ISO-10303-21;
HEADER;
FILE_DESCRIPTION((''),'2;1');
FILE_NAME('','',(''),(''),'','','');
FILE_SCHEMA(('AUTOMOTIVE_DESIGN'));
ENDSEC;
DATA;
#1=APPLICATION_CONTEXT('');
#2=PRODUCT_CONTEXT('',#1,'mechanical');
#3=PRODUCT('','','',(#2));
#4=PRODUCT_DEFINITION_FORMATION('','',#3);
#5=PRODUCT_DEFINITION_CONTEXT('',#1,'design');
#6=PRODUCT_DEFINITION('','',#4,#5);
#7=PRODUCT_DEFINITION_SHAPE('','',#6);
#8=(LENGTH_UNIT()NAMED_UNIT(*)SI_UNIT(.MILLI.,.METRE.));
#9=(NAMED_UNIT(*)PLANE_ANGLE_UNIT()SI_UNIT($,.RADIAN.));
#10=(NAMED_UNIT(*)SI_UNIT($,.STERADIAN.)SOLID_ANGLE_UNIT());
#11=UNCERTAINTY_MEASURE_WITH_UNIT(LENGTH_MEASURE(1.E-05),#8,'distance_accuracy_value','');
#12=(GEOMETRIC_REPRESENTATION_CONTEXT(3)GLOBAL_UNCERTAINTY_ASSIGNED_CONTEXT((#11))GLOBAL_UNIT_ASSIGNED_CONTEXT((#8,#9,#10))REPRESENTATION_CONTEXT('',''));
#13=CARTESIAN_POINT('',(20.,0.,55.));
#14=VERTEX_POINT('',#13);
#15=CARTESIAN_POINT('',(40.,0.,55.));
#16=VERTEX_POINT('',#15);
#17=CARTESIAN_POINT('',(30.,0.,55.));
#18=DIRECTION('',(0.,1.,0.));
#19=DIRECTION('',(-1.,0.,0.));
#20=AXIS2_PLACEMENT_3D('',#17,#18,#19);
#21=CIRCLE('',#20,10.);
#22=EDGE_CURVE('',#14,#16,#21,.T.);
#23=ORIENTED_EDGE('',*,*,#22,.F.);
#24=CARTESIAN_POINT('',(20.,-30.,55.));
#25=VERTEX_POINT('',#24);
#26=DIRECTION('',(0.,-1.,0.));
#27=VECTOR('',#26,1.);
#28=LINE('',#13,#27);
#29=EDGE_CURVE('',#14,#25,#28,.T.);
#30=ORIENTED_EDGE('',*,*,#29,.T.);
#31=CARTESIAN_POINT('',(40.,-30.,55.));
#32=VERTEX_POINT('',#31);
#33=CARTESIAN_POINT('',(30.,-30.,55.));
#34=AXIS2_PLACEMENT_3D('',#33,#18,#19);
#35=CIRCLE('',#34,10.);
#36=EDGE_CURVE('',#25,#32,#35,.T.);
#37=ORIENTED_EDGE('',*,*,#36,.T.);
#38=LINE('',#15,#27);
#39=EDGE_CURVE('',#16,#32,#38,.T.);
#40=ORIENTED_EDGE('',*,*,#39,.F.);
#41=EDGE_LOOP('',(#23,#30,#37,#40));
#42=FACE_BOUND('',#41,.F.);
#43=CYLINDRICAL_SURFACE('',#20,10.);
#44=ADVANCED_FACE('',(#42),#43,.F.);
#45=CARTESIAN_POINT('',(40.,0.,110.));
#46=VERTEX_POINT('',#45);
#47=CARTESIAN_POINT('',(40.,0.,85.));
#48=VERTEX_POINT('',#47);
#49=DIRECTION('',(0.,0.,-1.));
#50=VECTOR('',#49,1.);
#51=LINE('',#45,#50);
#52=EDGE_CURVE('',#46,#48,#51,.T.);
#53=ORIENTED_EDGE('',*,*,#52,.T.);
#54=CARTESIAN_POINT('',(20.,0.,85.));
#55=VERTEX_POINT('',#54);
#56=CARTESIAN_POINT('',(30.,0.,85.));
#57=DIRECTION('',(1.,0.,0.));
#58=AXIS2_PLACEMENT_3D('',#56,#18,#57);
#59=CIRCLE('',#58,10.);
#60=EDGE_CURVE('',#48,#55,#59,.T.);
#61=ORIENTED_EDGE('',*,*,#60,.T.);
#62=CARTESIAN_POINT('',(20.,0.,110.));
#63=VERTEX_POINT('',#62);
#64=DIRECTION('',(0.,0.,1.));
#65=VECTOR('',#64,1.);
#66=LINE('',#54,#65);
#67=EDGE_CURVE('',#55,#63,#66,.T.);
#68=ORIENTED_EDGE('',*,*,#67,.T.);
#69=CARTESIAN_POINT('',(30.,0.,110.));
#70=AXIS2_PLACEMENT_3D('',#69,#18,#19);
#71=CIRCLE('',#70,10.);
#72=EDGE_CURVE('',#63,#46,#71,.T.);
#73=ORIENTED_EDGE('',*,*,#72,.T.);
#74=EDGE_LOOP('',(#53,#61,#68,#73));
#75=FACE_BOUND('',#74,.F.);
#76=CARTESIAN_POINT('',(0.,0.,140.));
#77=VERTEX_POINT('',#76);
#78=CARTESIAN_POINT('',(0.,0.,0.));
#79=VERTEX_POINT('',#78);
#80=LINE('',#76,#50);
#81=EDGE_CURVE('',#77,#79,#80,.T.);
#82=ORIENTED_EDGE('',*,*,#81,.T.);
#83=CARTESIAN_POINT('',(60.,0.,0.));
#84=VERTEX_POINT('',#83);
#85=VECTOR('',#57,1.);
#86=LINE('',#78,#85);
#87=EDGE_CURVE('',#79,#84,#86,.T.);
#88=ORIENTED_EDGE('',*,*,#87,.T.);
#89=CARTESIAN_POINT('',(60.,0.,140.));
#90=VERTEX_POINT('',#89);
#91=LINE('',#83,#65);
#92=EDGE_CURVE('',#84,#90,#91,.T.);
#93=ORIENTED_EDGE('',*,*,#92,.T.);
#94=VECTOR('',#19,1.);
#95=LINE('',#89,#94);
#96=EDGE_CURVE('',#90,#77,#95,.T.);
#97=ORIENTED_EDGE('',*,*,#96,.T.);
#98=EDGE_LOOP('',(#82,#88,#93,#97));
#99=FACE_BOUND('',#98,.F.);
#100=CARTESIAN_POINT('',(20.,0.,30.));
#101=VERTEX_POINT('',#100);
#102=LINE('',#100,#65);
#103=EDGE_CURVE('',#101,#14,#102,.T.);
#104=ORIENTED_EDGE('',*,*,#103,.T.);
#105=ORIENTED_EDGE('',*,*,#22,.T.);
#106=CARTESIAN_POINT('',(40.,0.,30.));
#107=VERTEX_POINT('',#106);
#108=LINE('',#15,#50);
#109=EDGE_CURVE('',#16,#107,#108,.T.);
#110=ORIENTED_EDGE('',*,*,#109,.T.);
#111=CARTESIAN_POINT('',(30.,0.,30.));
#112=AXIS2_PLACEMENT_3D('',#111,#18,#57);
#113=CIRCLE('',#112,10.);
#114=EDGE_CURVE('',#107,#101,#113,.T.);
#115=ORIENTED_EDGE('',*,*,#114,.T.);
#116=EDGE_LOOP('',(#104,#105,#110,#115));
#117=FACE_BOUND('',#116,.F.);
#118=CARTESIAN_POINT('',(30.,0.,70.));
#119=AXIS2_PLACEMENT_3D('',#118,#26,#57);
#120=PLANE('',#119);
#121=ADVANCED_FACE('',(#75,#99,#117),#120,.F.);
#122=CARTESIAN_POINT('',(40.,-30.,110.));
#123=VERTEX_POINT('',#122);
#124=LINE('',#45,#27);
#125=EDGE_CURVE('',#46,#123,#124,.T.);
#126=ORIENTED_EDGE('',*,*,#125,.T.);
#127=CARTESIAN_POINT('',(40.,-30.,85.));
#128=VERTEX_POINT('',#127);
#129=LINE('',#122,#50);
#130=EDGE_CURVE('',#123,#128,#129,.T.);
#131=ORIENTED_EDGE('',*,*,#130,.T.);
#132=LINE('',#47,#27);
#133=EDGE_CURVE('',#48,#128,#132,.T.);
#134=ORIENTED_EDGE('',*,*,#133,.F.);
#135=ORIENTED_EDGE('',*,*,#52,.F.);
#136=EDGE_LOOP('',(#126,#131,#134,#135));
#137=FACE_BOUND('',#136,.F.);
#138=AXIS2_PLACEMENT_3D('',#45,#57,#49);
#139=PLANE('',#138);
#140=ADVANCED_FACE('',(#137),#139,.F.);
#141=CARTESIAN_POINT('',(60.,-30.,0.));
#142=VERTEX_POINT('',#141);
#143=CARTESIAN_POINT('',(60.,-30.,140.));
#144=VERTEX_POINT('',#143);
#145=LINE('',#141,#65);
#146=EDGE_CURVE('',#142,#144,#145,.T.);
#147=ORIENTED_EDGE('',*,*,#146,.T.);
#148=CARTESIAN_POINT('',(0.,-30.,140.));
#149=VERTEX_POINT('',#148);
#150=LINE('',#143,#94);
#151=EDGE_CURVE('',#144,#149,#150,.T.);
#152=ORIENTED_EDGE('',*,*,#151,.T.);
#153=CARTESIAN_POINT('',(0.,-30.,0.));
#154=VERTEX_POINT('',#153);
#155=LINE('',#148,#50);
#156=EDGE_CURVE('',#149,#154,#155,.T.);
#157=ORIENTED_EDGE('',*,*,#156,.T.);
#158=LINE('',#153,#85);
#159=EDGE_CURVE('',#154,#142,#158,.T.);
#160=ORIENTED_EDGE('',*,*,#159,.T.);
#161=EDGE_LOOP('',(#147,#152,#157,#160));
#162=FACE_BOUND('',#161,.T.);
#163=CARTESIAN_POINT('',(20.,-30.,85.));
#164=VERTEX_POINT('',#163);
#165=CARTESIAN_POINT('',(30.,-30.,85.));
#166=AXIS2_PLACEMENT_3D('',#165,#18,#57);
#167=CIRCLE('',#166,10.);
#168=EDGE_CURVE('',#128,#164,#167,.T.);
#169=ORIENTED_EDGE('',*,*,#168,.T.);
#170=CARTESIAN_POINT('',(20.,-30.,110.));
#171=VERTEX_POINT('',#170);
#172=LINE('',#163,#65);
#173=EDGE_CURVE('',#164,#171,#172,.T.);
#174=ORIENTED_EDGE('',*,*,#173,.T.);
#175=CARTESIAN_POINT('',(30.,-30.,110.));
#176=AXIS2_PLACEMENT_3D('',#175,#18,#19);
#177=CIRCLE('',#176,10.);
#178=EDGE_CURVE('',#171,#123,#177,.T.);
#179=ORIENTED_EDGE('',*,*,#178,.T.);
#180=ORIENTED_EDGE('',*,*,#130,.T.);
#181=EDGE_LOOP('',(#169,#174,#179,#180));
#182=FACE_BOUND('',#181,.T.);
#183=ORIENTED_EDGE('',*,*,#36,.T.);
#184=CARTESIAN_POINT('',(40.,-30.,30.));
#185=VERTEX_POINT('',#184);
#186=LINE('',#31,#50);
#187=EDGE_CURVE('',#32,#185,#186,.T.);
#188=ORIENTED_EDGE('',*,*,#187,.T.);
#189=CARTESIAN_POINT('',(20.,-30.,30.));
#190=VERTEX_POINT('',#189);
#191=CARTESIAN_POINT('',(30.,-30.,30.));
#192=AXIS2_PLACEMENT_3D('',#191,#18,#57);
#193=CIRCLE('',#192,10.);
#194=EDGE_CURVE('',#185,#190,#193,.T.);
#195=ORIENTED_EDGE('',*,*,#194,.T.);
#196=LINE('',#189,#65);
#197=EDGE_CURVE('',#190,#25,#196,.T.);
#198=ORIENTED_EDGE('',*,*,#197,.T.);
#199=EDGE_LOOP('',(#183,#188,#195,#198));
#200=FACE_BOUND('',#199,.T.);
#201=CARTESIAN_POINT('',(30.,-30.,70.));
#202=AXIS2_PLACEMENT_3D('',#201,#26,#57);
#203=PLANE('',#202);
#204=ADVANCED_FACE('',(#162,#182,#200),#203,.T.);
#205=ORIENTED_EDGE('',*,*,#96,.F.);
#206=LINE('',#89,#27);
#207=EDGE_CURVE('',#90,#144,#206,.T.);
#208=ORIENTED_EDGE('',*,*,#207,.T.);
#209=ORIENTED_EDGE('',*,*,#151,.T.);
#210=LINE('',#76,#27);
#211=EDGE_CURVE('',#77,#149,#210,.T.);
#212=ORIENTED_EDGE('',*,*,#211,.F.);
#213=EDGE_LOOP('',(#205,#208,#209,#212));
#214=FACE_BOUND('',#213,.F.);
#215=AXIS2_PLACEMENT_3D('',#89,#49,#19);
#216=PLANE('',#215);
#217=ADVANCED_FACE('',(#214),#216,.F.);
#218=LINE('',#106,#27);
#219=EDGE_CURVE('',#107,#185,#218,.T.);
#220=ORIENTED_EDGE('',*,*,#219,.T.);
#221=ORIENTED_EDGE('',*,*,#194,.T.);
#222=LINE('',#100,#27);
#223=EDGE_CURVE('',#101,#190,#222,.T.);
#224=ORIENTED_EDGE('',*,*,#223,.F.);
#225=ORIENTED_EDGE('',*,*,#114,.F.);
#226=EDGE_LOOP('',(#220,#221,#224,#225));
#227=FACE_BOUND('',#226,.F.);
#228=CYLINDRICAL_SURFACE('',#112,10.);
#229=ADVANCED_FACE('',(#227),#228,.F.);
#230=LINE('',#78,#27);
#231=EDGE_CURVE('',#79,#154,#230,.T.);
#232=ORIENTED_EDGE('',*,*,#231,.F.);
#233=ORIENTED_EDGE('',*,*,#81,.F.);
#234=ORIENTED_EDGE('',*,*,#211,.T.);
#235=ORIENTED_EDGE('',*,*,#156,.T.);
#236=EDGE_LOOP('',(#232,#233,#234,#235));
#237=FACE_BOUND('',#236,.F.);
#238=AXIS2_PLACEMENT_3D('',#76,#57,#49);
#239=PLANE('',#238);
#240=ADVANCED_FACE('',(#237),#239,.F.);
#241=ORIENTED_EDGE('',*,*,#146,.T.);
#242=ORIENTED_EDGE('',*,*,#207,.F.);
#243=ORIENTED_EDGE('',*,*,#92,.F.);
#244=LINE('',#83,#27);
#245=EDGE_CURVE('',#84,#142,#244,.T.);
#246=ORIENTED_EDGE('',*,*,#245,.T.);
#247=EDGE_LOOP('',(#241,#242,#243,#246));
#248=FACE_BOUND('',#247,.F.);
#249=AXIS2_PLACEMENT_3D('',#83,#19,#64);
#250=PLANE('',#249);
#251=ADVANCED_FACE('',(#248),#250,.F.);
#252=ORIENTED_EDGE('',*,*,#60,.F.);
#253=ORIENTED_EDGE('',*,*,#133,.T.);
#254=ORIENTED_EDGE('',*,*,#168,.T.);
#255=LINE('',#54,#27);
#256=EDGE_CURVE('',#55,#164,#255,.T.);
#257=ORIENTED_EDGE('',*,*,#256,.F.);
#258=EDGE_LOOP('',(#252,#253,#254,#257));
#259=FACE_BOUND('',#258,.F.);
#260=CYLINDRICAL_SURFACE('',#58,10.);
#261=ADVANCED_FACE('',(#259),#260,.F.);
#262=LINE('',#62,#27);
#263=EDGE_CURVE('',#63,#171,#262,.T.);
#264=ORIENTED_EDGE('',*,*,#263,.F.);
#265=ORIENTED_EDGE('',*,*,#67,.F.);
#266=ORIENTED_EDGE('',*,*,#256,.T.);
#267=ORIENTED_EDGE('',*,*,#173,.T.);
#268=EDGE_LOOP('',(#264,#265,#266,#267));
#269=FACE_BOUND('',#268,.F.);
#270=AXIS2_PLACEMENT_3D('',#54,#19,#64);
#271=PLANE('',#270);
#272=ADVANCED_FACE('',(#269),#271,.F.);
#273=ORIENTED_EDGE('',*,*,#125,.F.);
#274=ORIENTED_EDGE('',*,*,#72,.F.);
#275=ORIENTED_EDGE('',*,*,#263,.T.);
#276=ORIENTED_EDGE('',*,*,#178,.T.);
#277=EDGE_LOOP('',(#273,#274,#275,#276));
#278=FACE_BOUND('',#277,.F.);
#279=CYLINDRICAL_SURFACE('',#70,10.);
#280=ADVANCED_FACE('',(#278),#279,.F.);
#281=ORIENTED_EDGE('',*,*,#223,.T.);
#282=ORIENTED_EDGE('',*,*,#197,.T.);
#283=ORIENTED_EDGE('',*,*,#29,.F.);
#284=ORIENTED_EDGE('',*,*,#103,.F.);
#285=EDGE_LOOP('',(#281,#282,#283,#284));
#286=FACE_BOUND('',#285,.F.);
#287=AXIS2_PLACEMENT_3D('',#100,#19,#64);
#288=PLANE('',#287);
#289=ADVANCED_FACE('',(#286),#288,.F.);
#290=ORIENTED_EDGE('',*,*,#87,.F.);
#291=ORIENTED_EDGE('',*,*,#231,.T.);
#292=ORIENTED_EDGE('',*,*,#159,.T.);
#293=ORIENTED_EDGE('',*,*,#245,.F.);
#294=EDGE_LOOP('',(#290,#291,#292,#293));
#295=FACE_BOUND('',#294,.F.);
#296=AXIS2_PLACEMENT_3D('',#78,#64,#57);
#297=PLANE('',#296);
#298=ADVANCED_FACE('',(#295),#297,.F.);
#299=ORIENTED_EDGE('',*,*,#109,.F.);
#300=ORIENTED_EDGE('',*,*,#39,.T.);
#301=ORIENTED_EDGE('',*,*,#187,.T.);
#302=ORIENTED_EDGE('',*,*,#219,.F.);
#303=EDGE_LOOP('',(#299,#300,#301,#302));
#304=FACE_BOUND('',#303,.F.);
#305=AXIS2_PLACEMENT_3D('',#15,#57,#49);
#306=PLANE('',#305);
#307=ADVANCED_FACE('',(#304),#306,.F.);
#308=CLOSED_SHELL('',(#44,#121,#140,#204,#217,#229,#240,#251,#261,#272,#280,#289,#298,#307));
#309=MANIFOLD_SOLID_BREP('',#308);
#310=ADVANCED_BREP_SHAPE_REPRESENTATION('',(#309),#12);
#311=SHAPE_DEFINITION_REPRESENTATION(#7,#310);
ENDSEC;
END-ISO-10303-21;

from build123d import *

# Parameters (mm, degrees)
F0_W     = 20
F0_H     = 20
F1_DEPTH = 30


with BuildPart() as f1:
    # F0 (on Front) → F1 (new body)
    with BuildSketch(Plane.XZ):
        Polygon((20, 20), (20, 0), (60, 0), (60, 120), (40, 120), (40, 140), (0, 140), (0, 20), align=None)
        with BuildLine():
            ThreePointArc((40, 30), (30, 20), (20, 30))
            Line((20, 30), (20, 55))
            ThreePointArc((20, 55), (30, 65), (40, 55))
            Line((40, 55), (40, 30))
        make_face(mode=Mode.SUBTRACT)
        with BuildLine():
            ThreePointArc((20, 110), (30, 120), (40, 110))
            Line((40, 110), (40, 85))
            ThreePointArc((40, 85), (30, 75), (20, 85))
            Line((20, 85), (20, 110))
        make_face(mode=Mode.SUBTRACT)
        with Locations((50, 130)):
            Rectangle(F0_W, F0_H)
        with Locations((10, 10)):
            Rectangle(F0_W, F0_H)
    extrude(amount=F1_DEPTH)


solid = f1.part
